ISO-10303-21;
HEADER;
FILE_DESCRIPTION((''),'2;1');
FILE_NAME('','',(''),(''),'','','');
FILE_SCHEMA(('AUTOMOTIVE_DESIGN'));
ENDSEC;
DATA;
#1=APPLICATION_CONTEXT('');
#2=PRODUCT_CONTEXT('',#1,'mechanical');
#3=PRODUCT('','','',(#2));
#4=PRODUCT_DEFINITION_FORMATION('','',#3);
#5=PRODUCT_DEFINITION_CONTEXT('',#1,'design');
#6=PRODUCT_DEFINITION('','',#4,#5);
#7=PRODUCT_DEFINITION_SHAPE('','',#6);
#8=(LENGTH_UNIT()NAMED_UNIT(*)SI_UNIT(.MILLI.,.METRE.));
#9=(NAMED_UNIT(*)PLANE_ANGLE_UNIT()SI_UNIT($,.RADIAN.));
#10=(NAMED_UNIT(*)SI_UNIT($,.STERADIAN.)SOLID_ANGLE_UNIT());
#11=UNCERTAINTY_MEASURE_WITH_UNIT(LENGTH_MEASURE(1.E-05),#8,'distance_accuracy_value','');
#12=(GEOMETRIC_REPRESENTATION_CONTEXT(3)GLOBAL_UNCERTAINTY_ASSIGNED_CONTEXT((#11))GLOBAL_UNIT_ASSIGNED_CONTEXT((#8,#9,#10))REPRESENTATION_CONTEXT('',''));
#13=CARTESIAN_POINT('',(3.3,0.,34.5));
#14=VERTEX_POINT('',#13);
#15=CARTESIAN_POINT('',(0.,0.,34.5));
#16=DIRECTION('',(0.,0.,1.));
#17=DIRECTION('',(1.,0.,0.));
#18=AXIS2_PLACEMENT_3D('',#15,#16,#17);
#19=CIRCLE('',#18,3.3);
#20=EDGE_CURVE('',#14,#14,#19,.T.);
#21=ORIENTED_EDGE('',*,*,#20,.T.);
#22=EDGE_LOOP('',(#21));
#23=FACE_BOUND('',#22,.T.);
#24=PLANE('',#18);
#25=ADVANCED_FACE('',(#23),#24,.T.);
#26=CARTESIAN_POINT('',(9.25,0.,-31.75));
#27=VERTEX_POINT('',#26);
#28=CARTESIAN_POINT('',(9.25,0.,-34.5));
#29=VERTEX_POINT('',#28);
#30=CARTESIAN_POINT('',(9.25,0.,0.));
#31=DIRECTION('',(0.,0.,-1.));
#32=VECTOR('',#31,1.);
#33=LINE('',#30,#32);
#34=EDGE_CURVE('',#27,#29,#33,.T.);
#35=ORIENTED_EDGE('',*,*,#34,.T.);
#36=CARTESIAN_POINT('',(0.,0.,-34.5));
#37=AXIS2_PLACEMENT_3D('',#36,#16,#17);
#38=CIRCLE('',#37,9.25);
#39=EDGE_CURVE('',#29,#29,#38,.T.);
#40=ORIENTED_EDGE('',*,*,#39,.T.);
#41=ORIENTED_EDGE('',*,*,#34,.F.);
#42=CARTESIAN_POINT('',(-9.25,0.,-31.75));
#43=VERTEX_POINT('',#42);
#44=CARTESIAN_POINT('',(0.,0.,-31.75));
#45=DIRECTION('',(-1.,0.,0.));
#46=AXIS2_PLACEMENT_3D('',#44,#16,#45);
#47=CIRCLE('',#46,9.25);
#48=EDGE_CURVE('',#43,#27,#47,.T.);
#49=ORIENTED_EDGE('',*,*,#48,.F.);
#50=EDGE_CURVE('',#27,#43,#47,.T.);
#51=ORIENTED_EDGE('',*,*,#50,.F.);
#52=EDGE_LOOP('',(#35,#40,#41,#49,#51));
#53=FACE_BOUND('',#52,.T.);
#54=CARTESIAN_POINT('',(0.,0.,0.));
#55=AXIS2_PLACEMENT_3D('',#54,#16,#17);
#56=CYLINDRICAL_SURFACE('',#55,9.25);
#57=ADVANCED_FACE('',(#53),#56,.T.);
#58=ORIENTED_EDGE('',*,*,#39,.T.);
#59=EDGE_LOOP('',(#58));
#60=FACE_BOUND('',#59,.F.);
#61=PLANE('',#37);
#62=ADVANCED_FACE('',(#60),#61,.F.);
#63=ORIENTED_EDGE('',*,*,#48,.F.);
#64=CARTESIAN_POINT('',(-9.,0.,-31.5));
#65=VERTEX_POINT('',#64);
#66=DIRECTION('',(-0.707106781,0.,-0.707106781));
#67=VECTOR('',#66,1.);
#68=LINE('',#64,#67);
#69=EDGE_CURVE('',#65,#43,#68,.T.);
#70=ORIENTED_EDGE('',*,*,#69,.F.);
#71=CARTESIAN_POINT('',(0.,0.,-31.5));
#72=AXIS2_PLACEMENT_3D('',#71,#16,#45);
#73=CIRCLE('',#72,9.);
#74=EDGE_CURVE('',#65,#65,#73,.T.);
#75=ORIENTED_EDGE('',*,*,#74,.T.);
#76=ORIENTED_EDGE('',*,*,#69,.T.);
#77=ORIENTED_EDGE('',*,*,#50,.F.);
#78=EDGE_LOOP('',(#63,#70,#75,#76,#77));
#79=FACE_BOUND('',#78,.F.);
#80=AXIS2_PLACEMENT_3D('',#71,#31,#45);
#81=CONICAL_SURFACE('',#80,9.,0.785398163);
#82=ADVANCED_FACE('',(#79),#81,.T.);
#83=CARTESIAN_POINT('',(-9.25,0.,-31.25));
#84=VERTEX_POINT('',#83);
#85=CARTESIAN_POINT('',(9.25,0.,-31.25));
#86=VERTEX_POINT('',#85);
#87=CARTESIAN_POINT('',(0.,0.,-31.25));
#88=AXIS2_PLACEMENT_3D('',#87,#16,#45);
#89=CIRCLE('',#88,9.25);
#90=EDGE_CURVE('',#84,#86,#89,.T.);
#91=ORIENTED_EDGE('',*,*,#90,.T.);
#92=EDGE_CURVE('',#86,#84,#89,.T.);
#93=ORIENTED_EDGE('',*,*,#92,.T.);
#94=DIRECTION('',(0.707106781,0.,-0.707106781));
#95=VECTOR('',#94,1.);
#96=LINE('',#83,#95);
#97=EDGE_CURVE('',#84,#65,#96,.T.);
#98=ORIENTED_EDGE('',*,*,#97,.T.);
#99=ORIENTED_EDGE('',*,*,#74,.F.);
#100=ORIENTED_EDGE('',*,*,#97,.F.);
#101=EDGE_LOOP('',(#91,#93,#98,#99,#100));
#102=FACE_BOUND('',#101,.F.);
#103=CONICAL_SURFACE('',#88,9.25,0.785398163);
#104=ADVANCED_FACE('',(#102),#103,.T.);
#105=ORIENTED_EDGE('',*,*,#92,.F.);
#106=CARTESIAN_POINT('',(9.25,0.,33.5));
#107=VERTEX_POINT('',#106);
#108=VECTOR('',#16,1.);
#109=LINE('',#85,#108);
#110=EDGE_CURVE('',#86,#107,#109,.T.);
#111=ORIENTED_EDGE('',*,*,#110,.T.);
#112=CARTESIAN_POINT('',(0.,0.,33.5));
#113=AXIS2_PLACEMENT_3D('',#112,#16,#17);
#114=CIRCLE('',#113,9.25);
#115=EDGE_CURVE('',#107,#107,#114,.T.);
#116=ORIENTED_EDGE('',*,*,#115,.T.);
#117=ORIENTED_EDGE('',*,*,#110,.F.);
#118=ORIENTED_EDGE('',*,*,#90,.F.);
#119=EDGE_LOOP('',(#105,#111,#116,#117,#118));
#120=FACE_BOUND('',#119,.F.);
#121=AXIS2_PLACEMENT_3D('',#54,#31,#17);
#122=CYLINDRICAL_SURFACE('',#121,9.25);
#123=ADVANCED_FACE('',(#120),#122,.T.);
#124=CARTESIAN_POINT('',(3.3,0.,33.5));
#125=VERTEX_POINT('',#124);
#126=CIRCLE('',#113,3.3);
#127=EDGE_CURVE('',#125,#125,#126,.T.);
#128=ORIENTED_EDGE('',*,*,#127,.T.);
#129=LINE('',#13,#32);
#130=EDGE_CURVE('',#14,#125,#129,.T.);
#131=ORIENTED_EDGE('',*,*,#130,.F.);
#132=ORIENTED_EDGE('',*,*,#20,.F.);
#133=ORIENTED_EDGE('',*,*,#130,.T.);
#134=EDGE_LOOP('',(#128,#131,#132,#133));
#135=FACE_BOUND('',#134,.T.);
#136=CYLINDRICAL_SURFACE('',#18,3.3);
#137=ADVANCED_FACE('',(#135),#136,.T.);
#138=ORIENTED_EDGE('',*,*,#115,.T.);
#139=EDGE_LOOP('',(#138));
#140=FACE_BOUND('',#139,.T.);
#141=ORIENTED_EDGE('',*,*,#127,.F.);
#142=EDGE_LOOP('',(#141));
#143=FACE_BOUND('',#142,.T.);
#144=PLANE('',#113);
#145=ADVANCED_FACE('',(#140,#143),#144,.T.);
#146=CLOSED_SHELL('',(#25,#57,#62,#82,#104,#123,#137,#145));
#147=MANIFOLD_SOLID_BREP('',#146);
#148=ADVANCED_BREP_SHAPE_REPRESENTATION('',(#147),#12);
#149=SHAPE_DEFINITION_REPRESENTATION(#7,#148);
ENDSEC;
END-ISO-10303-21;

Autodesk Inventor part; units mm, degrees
ref_plane "YZ Plane" through (0, 0, 0) normal (1, 0, 0) x (0, 1, 0)
ref_plane "XZ Plane" through (0, 0, 0) normal (0, 1, 0) x (-1, 0, 0)
ref_plane "XY Plane" through (0, 0, 0) normal (0, 0, 1) x (1, 0, 0)
sketch "Skizze1" plane through (0, 0, 0) normal (0, 0, 1) x (1, 0, 0)
  circle A0 centre (0, 0) radius 9.25
  dimension "d0" = 18.5
extrude "Extrusion1" add sketch "Skizze1" along normal mid plane 69
sketch "Skizze2" plane through (0, 0, 34.5) normal (0, 0, 1) x (1, 0, 0)
  circle A0 centre (0, 0) radius 3.3
  circle A1 centre (0, 0) radius 9.25 projected
  dimension "d3" = 6.6
extrude "Extrusion2" cut sketch "Skizze2" against normal blind 1
sketch "Skizze3" plane through (0, 0, 0) normal (0, 1, 0) x (-1, 0, 0)
  line L0 (9.25, -34.5) -> (9.25, 33.5) construction
  line L1 (9.25, -31.25) -> (9, -31.5)
  line L2 (9, -31.5) -> (9.25, -31.75)
  line L3 (-9.25, -34.5) -> (9.25, -34.5) projected
  line L4 (9.25, -31.75) -> (9.25, -31.25)
  line L5 (0, -46.714) -> (0, 45.714) projected
  point P0 (0, 0)
  dimension "d6" = 3
  dimension "d7" = 0.5
revolve "Umdrehung1" cut sketch "Skizze3" angle 360 about axis through (0, 0, -10) along (0, 0, 1)
properties part number "18650" material "Nickel-Kupfer-Legierung 400"
